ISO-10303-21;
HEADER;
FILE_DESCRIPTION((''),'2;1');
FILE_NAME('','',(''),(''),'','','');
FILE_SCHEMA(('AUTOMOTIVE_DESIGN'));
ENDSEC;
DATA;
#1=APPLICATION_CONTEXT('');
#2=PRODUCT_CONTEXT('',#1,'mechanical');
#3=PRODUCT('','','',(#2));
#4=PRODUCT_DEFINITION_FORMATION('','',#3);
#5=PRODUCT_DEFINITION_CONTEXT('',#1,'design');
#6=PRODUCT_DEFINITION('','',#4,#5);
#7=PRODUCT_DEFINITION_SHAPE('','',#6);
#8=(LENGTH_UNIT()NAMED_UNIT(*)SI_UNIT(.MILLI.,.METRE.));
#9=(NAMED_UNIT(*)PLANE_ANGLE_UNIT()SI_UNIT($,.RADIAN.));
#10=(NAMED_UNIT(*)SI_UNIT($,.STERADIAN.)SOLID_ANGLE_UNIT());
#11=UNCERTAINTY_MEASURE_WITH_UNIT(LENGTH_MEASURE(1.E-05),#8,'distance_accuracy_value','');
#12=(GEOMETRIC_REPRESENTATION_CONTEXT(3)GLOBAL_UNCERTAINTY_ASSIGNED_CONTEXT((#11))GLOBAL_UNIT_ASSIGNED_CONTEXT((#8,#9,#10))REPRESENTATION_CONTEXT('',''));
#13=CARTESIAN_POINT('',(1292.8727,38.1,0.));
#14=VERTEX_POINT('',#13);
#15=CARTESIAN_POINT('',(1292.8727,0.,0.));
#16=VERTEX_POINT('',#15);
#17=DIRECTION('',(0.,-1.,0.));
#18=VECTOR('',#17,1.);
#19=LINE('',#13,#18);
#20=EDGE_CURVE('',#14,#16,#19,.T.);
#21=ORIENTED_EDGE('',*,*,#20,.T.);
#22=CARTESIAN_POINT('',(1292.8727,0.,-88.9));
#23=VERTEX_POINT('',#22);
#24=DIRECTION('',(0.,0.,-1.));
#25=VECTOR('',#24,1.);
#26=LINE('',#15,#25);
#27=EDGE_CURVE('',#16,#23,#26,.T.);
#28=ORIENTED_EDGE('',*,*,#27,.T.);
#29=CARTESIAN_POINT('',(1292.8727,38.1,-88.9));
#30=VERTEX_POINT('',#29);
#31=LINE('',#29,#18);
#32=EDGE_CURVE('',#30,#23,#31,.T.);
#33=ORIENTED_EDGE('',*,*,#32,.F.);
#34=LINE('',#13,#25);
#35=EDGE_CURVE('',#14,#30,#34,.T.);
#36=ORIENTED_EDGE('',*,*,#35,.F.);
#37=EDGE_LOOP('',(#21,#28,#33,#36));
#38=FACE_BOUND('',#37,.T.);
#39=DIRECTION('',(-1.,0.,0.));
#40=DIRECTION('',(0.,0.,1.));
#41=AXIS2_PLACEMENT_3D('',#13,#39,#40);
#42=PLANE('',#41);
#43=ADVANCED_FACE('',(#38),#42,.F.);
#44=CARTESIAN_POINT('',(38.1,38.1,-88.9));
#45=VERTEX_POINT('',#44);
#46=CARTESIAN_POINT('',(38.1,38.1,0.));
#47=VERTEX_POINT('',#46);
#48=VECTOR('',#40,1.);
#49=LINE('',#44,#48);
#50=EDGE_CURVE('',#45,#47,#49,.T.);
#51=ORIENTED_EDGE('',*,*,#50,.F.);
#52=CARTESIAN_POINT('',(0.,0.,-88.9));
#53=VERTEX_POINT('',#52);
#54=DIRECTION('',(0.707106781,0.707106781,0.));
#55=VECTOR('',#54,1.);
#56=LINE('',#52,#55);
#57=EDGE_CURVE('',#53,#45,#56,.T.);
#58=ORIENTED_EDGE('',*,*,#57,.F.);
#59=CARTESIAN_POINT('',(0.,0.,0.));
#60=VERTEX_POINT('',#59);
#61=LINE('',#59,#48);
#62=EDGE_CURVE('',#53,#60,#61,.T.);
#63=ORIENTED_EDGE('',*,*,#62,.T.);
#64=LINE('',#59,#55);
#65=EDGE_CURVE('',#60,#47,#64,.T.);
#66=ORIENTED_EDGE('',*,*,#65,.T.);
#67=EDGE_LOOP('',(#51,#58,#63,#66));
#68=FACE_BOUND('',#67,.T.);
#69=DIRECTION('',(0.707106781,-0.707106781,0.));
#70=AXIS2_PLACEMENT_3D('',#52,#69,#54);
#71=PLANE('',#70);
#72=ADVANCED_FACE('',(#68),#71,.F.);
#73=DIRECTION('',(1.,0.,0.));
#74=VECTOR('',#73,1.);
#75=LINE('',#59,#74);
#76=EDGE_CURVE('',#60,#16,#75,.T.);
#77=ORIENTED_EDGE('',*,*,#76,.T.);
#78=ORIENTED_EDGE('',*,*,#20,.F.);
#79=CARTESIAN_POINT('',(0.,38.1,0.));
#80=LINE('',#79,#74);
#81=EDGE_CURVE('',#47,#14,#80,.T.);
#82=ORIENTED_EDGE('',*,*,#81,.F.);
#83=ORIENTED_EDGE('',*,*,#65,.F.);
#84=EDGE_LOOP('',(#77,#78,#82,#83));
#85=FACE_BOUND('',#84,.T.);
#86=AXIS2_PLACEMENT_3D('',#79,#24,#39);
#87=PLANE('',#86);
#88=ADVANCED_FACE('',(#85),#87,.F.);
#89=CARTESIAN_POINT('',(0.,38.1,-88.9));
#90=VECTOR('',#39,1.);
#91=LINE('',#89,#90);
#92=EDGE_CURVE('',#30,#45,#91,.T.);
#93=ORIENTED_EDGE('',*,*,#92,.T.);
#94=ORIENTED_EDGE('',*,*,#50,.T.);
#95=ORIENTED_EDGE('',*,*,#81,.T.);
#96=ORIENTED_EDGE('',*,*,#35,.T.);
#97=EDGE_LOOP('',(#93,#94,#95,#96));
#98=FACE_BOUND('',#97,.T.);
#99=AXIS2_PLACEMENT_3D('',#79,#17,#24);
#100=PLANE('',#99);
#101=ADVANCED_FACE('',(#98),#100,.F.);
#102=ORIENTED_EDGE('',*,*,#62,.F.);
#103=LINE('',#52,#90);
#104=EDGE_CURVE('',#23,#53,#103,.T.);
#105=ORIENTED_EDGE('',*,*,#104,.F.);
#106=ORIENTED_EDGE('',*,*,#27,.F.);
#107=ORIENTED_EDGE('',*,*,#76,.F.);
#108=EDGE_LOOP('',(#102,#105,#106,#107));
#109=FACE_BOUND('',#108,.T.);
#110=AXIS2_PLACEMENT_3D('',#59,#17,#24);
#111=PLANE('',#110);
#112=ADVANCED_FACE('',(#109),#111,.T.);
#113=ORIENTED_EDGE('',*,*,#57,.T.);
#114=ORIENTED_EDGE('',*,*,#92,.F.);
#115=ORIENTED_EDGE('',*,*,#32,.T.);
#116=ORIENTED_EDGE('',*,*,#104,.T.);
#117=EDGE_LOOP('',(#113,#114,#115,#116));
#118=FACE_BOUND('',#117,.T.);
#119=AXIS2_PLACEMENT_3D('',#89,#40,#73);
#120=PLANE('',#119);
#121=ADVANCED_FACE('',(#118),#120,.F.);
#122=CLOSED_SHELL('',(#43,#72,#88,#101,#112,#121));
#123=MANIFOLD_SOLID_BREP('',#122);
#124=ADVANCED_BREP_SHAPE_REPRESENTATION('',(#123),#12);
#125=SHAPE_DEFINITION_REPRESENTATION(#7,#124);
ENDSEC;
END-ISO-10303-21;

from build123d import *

# Parameters (mm, degrees)
SKETCH1_W           = 1292.8727
SKETCH1_H           = 88.9
BOSS_EXTRUDE1_DEPTH = 38.1
CUT_EXTRUDE1_DEPTH  = 89.9


with BuildPart() as part:
    # Sketch1 → Boss-Extrude1 (new body)
    with BuildSketch(Plane(origin=(0, 0, 0), x_dir=(1, 0, 0), z_dir=(0, 1, 0))):
        with Locations((646.43635, 44.45)):
            Rectangle(SKETCH1_W, SKETCH1_H)
    extrude(amount=BOSS_EXTRUDE1_DEPTH)

    # Sketch2 → Cut-Extrude1 (cut, through all)
    with BuildSketch(Plane.XY):
        Polygon((0, 0), (38.1, 38.1), (0, 38.1), align=None)
    extrude(amount=-CUT_EXTRUDE1_DEPTH, mode=Mode.SUBTRACT)


solid = part.part
